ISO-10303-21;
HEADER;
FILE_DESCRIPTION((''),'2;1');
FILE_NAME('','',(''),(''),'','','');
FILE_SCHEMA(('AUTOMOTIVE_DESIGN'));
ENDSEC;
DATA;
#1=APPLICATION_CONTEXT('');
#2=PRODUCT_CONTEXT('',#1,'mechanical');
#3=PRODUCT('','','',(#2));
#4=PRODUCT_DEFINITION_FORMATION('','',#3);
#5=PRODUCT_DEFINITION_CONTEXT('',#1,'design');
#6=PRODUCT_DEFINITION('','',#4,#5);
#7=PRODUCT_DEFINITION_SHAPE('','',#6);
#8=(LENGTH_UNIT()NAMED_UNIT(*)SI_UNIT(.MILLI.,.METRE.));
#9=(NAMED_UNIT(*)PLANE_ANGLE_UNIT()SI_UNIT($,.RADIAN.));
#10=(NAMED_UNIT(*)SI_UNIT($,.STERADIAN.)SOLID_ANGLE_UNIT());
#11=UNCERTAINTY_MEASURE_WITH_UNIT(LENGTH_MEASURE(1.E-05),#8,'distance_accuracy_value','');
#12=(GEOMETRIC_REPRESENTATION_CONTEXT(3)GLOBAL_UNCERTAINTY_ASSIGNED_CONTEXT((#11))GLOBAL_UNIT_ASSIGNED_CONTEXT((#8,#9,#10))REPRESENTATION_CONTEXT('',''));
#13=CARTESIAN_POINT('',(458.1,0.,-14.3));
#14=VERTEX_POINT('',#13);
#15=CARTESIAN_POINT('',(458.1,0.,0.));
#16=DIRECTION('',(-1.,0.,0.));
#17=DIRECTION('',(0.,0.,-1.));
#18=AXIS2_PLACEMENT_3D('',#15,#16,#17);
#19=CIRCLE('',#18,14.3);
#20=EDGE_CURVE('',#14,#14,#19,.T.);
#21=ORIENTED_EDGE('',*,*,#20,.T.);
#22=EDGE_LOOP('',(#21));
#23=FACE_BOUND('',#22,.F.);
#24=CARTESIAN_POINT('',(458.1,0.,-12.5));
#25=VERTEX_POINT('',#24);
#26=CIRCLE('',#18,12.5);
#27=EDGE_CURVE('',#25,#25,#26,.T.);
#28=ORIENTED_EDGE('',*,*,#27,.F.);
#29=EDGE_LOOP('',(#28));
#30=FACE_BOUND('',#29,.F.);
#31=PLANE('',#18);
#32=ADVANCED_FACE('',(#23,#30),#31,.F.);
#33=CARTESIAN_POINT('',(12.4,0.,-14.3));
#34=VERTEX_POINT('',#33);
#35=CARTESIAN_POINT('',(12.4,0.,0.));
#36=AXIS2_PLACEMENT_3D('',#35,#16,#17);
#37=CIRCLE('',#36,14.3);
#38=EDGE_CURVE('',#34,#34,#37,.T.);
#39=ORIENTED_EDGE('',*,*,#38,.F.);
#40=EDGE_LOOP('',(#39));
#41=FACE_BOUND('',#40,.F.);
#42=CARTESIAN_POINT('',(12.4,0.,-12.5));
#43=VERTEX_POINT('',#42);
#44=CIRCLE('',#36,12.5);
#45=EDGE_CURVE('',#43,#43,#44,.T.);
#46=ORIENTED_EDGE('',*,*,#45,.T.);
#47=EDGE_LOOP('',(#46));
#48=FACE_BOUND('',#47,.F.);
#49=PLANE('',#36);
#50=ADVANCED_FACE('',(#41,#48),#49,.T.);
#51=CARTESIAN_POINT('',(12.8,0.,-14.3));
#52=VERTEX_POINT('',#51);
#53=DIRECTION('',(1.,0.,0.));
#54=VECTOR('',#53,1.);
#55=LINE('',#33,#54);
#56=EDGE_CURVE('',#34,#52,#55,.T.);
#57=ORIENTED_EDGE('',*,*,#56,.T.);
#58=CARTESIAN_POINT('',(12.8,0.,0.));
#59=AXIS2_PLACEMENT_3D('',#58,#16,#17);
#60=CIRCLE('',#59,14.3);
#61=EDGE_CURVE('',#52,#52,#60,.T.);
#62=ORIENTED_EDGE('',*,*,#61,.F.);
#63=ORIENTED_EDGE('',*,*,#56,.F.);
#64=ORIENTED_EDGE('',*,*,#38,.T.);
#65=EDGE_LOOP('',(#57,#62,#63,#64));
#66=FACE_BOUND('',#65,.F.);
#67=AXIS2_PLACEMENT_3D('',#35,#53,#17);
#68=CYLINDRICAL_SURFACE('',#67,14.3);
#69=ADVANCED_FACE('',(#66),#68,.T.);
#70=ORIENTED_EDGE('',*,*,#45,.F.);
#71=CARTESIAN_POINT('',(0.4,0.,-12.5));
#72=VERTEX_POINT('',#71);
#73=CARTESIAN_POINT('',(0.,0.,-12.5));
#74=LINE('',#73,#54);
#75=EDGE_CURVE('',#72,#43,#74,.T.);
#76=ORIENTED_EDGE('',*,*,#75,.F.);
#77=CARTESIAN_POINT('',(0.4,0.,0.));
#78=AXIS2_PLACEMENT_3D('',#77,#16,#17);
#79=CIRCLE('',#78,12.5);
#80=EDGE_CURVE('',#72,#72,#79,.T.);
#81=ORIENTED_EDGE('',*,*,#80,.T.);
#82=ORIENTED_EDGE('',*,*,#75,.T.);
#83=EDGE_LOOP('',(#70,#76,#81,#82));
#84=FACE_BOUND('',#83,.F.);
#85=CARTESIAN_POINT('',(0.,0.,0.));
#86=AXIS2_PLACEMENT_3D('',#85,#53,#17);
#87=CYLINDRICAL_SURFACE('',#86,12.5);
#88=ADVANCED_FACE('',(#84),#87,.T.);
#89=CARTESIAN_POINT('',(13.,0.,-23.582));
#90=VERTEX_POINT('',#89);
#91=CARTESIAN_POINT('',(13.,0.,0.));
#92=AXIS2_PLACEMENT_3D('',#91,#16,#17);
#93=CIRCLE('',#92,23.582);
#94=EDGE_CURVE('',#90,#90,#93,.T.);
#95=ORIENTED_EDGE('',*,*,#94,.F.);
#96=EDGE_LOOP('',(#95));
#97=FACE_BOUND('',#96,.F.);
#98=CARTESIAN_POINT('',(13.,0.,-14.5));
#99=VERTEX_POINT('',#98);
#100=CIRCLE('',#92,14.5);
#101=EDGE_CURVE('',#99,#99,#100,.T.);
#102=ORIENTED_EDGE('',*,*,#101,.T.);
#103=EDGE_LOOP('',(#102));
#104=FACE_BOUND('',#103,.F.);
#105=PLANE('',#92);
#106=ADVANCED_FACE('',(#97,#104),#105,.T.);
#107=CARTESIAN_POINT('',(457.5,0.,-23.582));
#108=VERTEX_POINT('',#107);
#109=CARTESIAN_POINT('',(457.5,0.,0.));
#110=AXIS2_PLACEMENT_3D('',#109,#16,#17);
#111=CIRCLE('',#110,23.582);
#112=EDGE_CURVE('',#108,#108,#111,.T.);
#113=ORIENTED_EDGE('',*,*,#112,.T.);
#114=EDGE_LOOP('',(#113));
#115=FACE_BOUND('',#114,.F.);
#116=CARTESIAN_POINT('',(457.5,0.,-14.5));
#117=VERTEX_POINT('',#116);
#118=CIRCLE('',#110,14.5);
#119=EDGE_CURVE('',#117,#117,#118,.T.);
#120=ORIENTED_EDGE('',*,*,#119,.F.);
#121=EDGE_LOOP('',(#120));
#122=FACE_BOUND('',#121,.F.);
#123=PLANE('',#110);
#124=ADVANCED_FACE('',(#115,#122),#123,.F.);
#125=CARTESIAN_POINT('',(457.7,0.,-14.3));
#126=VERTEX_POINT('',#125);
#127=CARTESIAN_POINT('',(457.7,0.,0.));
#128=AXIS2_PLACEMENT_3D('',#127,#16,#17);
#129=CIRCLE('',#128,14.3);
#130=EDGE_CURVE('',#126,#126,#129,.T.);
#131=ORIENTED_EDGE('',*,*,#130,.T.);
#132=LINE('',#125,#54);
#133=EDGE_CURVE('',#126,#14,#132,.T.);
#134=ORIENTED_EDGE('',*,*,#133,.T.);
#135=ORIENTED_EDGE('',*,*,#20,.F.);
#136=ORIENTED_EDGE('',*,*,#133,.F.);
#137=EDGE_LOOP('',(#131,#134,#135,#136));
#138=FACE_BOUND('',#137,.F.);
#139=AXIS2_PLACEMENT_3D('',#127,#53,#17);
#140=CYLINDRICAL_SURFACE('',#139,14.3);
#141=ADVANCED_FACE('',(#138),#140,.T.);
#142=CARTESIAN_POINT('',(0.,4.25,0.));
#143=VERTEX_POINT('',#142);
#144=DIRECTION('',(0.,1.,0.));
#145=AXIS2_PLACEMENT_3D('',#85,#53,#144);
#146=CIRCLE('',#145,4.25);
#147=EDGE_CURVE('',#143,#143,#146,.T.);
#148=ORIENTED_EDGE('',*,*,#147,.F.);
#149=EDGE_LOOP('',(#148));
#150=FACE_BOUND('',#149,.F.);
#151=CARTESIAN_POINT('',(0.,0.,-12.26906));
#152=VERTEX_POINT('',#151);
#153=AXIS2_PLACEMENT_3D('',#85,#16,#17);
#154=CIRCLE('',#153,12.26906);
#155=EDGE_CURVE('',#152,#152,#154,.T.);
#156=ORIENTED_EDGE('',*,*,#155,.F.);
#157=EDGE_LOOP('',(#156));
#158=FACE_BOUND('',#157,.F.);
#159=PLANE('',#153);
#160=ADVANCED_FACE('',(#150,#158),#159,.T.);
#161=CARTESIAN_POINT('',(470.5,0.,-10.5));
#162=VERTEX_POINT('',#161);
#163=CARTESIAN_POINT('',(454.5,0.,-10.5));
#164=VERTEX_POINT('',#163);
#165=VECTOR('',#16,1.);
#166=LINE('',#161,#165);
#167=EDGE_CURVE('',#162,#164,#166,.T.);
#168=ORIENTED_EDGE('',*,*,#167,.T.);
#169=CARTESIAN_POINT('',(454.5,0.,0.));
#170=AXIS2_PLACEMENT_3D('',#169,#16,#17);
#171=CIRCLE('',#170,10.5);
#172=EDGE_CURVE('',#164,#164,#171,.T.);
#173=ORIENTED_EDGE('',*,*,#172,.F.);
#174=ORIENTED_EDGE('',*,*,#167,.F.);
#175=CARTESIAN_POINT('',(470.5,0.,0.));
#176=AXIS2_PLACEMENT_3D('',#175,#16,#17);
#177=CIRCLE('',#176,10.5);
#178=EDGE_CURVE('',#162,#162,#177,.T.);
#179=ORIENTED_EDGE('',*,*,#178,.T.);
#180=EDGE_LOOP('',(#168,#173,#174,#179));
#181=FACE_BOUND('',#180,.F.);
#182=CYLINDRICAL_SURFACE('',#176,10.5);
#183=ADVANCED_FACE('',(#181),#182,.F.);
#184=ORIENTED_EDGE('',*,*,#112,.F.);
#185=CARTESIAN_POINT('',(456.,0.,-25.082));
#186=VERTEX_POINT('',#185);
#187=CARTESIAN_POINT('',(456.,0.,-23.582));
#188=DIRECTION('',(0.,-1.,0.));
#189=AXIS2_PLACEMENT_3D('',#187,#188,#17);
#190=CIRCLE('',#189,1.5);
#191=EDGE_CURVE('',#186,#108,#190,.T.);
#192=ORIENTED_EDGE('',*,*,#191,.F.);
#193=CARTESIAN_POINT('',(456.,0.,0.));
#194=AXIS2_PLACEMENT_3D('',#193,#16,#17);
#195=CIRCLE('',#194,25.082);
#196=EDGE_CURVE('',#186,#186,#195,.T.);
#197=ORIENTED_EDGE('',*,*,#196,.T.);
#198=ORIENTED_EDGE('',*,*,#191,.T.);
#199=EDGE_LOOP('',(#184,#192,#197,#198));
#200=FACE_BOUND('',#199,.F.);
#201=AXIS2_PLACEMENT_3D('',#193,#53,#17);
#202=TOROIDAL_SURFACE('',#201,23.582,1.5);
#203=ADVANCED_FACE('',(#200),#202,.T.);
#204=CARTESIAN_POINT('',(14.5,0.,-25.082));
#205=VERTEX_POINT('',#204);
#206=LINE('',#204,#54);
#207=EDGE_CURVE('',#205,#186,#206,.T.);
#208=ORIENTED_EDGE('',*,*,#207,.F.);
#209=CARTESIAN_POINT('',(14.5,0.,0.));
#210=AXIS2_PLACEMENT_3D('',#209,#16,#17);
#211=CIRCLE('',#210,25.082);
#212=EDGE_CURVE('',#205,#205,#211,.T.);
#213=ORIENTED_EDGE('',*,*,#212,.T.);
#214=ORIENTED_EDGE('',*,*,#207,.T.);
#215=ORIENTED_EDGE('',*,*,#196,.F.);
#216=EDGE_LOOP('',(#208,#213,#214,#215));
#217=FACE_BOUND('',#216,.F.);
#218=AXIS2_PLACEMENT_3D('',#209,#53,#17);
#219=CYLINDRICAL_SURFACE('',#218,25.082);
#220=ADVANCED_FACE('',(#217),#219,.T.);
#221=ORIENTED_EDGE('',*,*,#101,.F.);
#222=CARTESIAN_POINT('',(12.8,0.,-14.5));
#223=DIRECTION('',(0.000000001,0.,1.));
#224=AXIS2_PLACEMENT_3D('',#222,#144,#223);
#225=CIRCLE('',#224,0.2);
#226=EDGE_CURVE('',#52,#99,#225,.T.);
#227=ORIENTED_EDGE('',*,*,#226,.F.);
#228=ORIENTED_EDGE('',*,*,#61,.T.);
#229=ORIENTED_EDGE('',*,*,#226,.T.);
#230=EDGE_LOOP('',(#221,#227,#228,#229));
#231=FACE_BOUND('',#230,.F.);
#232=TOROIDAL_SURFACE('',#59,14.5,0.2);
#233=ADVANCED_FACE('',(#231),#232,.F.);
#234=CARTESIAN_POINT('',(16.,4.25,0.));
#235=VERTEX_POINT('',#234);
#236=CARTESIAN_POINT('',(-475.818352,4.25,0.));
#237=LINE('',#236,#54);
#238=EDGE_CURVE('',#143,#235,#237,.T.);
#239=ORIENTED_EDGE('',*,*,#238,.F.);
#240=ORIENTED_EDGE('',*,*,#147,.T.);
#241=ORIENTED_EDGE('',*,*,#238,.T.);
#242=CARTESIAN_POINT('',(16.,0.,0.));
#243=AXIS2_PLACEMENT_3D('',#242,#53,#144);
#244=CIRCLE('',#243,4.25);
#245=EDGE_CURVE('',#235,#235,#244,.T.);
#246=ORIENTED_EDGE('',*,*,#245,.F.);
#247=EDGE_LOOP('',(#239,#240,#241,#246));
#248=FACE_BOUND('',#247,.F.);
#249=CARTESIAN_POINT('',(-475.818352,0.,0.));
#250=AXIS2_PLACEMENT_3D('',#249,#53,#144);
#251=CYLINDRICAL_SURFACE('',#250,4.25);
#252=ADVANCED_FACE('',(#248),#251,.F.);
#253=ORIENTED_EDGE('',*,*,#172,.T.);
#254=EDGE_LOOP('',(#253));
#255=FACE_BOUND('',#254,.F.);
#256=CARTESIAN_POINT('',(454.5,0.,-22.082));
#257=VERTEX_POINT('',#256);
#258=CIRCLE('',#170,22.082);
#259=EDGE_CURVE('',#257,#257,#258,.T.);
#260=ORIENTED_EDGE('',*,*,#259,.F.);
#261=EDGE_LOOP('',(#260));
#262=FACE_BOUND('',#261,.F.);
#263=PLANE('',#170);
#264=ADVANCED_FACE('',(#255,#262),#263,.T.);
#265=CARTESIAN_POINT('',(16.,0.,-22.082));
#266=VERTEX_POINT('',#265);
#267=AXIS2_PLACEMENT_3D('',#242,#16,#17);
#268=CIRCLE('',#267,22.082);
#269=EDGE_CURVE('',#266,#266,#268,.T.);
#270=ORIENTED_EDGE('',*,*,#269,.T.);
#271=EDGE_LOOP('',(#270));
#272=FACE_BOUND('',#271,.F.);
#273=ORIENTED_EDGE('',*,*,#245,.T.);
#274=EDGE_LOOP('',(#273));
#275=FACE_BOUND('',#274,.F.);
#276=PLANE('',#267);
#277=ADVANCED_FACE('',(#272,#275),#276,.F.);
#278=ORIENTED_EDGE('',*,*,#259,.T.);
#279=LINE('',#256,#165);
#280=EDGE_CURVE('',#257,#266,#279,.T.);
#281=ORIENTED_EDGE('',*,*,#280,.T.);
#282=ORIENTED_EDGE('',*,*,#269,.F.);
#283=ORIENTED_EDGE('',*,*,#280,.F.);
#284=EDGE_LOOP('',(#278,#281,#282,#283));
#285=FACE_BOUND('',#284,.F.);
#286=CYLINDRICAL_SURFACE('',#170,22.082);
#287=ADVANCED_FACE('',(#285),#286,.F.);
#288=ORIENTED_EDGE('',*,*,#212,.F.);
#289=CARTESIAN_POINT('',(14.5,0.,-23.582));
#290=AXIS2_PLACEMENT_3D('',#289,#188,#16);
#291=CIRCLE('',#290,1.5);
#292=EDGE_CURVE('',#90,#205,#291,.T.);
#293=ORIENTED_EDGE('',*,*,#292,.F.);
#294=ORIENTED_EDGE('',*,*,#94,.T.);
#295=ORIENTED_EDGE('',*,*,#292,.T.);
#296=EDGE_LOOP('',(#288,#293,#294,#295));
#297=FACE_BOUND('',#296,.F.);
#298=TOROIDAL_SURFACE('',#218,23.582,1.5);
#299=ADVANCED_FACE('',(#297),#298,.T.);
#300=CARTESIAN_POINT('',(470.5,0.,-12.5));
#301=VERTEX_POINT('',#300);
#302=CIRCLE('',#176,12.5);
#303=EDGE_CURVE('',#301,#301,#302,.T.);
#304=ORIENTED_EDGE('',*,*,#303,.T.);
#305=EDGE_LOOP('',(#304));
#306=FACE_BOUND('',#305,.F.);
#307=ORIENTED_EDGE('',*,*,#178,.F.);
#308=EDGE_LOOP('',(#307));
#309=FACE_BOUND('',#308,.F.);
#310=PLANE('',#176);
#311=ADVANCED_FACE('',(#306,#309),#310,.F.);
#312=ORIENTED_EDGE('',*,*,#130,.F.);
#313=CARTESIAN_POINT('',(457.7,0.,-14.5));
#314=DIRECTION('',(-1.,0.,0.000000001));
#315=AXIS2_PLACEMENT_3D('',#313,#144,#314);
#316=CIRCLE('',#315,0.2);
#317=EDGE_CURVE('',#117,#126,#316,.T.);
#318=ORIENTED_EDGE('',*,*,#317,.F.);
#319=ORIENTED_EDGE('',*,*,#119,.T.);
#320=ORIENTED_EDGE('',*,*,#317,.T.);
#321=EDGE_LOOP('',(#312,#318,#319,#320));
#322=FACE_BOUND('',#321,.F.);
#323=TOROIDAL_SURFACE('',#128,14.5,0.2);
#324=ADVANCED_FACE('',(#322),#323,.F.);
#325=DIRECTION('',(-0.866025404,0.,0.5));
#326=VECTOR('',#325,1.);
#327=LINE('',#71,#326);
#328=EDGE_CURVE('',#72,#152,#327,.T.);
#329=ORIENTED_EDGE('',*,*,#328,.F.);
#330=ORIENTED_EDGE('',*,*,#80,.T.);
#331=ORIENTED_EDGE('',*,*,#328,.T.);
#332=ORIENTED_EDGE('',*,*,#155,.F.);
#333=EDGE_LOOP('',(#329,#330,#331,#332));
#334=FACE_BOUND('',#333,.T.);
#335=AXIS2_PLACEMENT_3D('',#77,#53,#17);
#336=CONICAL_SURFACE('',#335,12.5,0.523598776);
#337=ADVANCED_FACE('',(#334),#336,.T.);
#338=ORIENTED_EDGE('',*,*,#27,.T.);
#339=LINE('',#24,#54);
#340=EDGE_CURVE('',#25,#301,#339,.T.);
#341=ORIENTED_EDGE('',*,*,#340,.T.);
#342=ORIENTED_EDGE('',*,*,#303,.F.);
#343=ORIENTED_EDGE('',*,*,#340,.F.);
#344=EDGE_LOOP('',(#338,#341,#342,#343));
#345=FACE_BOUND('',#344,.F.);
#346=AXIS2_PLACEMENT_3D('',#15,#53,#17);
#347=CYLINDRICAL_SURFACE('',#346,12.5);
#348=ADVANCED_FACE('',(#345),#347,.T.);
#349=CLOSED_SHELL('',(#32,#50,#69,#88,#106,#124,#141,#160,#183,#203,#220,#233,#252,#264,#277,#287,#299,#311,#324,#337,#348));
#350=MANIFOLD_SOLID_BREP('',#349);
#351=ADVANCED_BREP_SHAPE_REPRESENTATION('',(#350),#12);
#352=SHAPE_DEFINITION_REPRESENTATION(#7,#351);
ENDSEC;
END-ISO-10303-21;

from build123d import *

# Parameters (mm, degrees)
F2_SIZE2 = 0.2309401077
F2_SIZE  = 0.4
F4_D     = 8.5


with BuildPart() as f1:
    # F0 (on Front) → F1 (revolve)
    with BuildSketch(Plane.XZ):
        with BuildLine():
            Line((0, 0), (0, -12.5))
            Line((0, -12.5), (12.4, -12.5))
            Line((12.4, -12.5), (12.4, -14.3))
            Line((12.4, -14.3), (12.8, -14.3))
            ThreePointArc((12.8, -14.3), (12.9414213562, -14.3585786438), (13, -14.5))
            Line((13, -14.5), (13, -23.582))
            ThreePointArc((13, -23.582), (13.4393398282, -24.6426601718), (14.5, -25.082))
            Line((14.5, -25.082), (456, -25.082))
            ThreePointArc((456, -25.082), (457.0606601718, -24.6426601718), (457.5, -23.582))
            Line((457.5, -23.582), (457.5, -14.5))
            ThreePointArc((457.5, -14.5), (457.5585786438, -14.3585786438), (457.7, -14.3))
            Line((457.7, -14.3), (458.1, -14.3))
            Line((458.1, -14.3), (458.1, -12.5))
            Line((458.1, -12.5), (470.5, -12.5))
            Line((470.5, -12.5), (470.5, -10.5))
            Line((470.5, -10.5), (454.5, -10.5))
            Line((454.5, -10.5), (454.5, -22.082))
            Line((454.5, -22.082), (16, -22.082))
            Line((16, -22.082), (16, 0))
            Line((16, 0), (0, 0))
        make_face()
    revolve(axis=Axis((8, 0, 0), (-1, 0, 0)))

    # F2
    f2_edges = [f1.edges().sort_by_distance(p)[0] for p in [
        (0, 0, 12.5),
    ]]
    f2_side = f1.faces().sort_by_distance((6.2, 0, 12.5))[0]
    chamfer(f2_edges, length=F2_SIZE, length2=F2_SIZE2, reference=f2_side)

    # F4 (through all)
    with Locations(Plane(origin=(0, 0, 0), x_dir=(0, -1, 0), z_dir=(-1, 0, 0))):
        with Locations((0, 0)):
            Hole(F4_D / 2)


solid = f1.part
